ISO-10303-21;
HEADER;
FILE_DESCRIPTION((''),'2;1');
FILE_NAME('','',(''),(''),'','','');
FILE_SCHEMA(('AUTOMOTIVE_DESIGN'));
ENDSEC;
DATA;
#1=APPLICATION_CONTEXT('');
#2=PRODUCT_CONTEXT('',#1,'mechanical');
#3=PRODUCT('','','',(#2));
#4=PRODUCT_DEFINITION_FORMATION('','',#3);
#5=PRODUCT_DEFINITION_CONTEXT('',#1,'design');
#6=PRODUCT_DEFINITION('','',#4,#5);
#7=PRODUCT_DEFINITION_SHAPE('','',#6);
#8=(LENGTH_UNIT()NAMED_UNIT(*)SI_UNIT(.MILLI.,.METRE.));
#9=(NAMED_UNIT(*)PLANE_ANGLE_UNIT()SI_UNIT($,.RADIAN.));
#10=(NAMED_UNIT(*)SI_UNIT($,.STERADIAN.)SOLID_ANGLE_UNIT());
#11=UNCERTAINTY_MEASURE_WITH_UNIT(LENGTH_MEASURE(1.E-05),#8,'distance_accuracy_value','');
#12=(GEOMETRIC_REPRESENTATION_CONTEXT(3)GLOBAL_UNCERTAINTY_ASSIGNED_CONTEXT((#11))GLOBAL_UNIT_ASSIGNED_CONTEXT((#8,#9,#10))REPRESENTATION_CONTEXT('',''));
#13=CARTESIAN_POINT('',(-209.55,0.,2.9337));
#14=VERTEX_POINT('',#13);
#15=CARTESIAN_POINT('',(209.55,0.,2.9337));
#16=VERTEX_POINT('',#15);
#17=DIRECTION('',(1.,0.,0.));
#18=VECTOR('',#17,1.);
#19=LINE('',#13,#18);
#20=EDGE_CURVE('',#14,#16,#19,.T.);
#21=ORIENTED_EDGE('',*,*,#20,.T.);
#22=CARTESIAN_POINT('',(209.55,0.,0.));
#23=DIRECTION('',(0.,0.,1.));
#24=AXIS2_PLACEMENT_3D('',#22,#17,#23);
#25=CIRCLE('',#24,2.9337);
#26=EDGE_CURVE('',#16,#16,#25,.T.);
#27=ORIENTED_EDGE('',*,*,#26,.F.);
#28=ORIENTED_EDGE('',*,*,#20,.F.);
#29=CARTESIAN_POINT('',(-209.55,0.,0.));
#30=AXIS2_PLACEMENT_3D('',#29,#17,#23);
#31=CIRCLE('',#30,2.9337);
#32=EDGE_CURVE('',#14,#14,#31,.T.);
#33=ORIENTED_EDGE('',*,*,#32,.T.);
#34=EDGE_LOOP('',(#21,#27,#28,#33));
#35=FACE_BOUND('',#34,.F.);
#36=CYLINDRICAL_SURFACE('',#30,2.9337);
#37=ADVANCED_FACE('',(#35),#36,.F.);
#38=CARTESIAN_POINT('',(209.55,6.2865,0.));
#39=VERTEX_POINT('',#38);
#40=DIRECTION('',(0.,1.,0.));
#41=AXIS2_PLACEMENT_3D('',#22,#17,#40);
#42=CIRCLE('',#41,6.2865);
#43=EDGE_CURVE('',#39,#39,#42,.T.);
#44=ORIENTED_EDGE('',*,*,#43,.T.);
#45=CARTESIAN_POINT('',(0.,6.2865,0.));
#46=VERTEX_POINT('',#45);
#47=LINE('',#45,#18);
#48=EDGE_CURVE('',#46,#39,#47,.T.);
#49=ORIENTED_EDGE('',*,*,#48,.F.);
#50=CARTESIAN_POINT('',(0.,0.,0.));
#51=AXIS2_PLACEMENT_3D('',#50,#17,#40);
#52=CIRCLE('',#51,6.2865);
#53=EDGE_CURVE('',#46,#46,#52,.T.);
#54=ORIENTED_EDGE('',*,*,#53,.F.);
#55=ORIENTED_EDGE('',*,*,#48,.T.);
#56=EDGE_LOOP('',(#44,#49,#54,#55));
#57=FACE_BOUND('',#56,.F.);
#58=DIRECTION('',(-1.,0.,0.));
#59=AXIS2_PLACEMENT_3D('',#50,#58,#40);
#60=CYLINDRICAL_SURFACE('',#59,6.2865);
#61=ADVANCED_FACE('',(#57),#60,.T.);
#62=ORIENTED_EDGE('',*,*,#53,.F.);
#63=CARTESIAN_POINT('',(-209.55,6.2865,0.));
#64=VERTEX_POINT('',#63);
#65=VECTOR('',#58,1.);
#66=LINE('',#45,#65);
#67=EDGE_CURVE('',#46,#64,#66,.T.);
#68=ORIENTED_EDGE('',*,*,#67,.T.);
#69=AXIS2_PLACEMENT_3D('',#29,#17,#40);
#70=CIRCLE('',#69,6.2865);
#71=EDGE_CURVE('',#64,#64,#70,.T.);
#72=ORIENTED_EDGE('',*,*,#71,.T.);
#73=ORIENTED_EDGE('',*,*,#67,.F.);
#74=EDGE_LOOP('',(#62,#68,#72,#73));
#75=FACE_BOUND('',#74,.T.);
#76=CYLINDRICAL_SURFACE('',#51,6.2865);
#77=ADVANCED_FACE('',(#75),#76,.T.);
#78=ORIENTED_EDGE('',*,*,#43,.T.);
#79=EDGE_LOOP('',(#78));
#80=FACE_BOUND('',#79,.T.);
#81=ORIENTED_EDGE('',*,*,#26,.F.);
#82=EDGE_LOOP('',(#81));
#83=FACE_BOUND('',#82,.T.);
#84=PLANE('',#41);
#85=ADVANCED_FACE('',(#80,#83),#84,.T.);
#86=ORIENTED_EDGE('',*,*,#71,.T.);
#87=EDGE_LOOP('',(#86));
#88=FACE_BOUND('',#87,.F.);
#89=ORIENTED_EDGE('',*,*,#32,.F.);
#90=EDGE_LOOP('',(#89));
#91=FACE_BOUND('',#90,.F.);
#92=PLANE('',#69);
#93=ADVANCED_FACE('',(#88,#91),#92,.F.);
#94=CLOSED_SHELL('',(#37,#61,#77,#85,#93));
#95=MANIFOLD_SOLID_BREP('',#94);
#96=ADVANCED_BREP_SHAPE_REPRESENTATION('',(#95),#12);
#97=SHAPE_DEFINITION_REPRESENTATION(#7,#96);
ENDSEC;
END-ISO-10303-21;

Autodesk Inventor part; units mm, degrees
ref_plane "XZ Plane" through (0, 0, 0) normal (0, 1, 0) x (-1, 0, 0)
ref_plane "XY Plane" through (0, 0, 0) normal (0, 0, 1) x (1, 0, 0)
sketch "Sketch1" plane through (0, 0, 0) normal (1, 0, 0) x (0, 1, 0)
  circle A0 centre (0, 0) radius 6.2865
  dimension "d1" = 12.573
extrude "Extrusion2" add sketch "Sketch1" along normal mid plane 419.1
sketch "Sketch2" plane through (-209.55, 0, 0) normal (-1, 0, 0) x (0, 0, 1)
  point P0 (0, 0)
  point P1 (0, 0)
hole "Hole1" at (-209.55, 0, 0) direction (1, 0, 0) diameter 5.8674 end through all
properties part number "Churo_16_5_inches" material "Aluminum 6061"
